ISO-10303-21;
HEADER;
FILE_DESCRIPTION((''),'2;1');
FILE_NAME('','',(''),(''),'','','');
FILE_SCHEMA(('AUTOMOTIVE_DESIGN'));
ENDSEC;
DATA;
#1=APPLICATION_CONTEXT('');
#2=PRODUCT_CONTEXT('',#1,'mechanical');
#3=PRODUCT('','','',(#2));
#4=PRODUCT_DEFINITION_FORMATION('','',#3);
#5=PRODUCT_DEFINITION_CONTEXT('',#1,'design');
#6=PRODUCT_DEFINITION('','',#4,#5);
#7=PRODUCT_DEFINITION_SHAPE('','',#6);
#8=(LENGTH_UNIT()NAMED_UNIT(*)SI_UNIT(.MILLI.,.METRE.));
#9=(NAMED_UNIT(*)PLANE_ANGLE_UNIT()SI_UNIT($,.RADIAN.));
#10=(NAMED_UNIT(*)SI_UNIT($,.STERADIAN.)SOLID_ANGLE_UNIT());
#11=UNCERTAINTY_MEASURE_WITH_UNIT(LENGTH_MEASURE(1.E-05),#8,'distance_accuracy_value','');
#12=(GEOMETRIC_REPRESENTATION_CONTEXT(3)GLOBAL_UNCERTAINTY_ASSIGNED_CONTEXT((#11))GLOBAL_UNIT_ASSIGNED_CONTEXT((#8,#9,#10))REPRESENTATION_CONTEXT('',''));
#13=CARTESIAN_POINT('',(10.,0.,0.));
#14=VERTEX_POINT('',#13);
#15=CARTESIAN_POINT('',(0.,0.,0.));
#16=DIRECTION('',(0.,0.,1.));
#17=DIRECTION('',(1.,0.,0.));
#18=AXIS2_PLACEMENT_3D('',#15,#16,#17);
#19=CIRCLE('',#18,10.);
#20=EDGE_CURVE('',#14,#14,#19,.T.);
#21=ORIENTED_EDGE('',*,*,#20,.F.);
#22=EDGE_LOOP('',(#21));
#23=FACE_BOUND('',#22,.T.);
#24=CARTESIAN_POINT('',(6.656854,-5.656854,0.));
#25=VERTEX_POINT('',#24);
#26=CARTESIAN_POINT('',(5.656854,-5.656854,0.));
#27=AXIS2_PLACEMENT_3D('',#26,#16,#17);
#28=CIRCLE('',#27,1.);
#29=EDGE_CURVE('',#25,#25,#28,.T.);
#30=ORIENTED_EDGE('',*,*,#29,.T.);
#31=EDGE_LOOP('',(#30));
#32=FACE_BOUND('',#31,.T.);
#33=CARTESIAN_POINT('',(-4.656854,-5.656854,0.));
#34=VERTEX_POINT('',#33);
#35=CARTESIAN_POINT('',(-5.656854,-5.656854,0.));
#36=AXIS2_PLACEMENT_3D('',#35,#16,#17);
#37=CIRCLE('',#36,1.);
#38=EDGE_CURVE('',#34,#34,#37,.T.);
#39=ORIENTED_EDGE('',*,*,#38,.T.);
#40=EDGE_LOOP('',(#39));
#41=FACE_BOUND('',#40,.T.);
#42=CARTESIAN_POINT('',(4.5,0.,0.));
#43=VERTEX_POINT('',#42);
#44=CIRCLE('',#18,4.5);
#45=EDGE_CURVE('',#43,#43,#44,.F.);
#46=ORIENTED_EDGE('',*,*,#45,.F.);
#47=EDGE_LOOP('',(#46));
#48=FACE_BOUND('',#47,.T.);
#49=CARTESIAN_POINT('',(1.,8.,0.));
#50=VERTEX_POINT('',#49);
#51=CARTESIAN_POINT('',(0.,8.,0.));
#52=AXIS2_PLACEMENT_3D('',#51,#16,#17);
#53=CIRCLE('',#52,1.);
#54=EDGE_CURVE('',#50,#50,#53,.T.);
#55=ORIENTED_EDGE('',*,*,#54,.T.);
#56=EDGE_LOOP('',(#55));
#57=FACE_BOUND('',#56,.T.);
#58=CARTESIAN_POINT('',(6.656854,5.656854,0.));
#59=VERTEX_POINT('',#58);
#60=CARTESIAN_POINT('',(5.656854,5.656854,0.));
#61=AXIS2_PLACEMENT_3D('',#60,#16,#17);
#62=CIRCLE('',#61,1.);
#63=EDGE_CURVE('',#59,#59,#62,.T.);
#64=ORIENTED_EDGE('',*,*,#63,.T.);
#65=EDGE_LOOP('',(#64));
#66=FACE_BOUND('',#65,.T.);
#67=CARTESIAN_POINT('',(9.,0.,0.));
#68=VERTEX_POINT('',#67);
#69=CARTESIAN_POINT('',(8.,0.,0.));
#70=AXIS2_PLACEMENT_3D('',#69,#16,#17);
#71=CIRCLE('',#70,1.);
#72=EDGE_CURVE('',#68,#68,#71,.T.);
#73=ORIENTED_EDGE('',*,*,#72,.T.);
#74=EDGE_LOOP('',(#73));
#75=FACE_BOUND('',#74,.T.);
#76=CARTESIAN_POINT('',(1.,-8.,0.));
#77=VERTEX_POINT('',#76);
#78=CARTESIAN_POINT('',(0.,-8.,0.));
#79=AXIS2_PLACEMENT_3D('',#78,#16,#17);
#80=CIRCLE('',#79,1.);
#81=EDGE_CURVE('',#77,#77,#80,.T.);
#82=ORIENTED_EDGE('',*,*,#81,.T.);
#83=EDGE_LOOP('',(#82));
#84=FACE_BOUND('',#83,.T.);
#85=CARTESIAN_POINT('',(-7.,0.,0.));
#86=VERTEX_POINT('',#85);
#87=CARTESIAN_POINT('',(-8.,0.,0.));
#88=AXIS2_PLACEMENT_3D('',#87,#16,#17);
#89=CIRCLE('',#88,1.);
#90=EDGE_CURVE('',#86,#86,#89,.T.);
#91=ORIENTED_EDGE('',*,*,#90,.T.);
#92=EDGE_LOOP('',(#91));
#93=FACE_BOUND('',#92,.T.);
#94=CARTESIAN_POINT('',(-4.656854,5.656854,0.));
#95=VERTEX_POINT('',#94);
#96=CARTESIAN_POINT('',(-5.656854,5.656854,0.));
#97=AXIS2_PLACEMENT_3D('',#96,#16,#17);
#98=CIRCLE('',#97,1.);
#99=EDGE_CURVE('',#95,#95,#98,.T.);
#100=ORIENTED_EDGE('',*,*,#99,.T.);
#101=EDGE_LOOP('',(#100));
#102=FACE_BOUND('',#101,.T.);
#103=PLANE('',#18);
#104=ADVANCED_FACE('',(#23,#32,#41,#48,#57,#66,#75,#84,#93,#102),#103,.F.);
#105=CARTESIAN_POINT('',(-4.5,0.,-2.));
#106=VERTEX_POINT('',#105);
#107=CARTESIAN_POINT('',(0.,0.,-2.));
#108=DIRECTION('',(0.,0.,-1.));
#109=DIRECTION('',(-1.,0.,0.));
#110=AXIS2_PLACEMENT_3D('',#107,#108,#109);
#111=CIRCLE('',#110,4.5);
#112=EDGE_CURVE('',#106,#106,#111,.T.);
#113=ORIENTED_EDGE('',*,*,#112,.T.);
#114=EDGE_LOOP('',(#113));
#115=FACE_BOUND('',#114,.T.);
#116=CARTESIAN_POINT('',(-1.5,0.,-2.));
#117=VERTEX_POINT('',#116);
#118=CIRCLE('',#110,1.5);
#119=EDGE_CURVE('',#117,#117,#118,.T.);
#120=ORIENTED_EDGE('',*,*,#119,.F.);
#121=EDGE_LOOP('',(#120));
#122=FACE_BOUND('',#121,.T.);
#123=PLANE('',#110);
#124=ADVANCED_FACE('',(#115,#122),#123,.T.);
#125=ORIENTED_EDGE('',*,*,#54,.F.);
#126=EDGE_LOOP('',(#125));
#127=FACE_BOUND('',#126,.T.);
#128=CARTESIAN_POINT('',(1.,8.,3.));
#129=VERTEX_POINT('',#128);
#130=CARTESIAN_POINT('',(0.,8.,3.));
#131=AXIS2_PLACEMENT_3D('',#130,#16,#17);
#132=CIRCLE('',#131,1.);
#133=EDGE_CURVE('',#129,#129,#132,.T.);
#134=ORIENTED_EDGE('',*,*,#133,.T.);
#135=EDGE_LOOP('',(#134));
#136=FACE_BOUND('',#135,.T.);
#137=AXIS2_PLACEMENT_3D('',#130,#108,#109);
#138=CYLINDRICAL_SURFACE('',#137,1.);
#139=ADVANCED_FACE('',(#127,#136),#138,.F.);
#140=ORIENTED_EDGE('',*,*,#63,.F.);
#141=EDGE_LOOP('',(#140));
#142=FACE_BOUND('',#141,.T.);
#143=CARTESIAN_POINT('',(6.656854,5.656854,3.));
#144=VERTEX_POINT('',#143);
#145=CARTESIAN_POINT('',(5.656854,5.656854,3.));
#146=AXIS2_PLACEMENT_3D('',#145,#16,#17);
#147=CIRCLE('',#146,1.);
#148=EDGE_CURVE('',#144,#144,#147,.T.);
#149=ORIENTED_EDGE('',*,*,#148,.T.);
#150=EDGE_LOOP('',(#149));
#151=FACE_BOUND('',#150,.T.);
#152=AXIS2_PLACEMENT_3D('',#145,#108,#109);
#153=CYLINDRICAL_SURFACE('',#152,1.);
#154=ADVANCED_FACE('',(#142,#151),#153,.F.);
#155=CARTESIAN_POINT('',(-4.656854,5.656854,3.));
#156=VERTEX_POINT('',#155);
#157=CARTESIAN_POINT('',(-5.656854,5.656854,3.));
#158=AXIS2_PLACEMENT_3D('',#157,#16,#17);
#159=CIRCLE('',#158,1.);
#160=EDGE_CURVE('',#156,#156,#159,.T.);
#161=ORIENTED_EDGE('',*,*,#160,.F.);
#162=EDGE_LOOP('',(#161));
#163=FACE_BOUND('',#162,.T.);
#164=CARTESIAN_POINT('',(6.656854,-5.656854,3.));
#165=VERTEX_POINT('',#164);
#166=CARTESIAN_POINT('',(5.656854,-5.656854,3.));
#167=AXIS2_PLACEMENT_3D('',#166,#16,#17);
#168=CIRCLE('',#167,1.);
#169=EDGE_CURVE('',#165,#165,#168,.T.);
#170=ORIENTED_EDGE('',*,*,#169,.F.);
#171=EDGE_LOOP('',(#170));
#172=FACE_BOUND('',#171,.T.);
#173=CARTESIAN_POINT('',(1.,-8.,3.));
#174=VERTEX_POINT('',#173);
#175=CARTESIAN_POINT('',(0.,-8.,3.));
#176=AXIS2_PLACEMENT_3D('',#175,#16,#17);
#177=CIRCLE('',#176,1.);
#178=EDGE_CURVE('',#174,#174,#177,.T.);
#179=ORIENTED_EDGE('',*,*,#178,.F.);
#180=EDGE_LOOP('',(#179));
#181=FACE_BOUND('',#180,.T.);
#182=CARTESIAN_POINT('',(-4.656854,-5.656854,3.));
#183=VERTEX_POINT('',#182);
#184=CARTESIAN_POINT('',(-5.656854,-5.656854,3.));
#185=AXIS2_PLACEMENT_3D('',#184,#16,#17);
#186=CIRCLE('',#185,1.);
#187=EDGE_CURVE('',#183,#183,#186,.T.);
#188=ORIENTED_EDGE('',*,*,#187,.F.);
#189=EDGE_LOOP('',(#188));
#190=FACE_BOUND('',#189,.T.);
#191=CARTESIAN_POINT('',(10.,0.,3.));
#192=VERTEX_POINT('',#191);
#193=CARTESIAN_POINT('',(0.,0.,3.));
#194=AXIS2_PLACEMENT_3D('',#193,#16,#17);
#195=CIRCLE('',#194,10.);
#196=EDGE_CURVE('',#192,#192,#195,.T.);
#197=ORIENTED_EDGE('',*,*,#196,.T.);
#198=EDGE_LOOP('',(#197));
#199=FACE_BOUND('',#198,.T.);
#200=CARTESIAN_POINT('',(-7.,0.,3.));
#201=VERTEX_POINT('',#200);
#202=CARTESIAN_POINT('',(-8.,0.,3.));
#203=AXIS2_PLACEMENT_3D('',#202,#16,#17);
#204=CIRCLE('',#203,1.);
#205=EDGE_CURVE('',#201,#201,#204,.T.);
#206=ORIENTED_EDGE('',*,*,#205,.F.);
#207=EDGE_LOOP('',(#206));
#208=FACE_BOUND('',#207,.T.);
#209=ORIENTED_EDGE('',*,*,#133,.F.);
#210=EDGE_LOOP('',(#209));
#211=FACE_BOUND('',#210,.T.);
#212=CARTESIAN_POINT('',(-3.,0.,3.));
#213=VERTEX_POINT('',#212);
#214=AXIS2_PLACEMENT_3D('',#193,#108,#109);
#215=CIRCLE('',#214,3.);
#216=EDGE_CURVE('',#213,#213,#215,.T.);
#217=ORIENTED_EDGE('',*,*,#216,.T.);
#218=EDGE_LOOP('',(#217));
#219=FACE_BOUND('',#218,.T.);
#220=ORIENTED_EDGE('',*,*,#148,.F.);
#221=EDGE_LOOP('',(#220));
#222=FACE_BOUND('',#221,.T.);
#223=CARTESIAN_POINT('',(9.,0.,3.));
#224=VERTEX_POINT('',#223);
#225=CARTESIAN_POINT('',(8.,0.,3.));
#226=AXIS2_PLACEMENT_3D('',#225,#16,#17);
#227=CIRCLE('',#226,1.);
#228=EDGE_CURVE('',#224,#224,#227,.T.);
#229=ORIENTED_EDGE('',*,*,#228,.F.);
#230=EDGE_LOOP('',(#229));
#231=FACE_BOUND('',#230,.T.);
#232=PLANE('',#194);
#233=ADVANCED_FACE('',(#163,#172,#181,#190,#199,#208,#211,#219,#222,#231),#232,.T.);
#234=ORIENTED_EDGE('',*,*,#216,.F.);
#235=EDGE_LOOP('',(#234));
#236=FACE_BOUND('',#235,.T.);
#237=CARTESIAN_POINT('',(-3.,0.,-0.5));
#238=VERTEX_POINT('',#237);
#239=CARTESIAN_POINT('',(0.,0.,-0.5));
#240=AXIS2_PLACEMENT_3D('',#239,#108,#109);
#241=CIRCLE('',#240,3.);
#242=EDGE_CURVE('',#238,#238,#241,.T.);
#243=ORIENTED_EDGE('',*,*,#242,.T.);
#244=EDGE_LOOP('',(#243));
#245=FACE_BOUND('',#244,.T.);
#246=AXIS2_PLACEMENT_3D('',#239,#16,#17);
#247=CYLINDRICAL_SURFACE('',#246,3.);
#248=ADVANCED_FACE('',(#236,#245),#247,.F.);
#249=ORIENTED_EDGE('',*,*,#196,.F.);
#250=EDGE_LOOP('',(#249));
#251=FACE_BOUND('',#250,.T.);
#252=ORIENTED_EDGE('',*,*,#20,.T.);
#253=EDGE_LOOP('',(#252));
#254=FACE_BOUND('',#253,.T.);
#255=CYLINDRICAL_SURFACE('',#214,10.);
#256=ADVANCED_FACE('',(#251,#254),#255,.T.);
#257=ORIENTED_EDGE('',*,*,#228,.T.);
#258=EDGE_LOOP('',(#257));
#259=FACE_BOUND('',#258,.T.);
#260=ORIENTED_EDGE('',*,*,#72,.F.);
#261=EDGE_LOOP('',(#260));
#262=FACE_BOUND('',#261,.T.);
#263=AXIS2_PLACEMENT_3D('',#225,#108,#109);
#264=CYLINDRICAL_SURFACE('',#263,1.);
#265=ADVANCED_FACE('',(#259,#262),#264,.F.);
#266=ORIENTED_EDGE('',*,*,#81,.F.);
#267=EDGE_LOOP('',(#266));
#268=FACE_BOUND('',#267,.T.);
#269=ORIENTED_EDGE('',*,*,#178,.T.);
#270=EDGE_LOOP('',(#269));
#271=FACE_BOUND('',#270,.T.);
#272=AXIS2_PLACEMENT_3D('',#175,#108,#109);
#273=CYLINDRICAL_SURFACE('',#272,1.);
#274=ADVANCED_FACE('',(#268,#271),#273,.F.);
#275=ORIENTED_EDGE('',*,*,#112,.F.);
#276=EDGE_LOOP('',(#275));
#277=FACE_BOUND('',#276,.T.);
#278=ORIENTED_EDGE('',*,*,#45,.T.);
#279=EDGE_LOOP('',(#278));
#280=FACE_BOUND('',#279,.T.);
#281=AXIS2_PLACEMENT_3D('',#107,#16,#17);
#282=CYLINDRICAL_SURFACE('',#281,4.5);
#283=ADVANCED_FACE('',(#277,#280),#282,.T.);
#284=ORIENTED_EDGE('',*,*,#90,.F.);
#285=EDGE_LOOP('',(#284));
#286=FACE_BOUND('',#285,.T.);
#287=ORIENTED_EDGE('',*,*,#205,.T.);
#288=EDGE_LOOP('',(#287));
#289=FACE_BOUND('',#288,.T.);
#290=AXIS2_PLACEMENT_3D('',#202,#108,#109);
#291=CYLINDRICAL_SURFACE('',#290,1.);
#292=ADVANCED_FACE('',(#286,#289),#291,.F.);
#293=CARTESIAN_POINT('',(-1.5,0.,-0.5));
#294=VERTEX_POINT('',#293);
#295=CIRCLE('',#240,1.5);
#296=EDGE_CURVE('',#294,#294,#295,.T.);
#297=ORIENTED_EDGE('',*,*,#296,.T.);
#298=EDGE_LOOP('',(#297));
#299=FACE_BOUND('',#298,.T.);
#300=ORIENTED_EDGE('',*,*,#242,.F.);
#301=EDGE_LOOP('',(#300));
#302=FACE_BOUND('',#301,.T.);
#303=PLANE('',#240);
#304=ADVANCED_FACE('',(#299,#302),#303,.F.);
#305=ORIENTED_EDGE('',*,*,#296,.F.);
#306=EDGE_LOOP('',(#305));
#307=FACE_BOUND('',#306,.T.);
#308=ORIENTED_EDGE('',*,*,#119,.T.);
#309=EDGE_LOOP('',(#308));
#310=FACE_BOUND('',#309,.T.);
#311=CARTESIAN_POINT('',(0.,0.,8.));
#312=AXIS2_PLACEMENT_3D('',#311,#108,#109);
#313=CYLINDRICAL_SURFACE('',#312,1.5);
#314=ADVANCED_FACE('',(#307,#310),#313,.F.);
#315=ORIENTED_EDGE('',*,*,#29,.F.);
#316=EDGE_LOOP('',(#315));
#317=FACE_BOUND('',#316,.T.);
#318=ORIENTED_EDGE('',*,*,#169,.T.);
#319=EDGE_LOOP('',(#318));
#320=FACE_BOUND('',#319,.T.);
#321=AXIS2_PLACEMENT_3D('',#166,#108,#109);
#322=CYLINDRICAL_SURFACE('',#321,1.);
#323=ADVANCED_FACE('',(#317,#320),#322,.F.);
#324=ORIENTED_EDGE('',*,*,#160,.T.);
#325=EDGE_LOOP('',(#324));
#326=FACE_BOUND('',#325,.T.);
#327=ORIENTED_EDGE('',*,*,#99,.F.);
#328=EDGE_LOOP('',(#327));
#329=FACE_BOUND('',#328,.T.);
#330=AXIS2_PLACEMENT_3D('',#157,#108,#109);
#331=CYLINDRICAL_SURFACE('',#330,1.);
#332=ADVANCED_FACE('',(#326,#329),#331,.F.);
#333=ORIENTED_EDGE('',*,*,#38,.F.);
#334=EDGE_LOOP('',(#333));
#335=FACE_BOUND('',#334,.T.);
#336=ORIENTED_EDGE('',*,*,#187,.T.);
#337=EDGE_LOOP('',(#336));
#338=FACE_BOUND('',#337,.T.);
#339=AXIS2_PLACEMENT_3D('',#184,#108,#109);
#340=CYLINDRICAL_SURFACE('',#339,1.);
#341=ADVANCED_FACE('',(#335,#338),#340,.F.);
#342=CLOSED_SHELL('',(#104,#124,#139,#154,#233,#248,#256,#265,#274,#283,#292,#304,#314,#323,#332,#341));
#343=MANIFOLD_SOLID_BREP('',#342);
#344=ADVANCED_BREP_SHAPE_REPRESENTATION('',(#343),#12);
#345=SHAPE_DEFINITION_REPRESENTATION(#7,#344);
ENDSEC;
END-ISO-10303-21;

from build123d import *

# Parameters (mm, degrees)
SKETCH_1_R          = 10
SKETCH_1_R_2        = 1.5
SKETCH_1_R_3        = 1
EXTRUDE_1_DEPTH     = 3
SKETCH_2_R          = 4.5
EXTRUDE_2_DEPTH     = 2
SKETCH_3_R          = 3
CUT_EXTRUDE_1_DEPTH = 3.5
SKETCH_4_R          = 1.5
CUT_EXTRUDE_2_DEPTH = 10


with BuildPart() as part:
    # 草图1 → 凸台-拉伸1 (new body)
    with BuildSketch(Plane.XY):
        Circle(SKETCH_1_R)
        Circle(SKETCH_1_R_2, mode=Mode.SUBTRACT)
        with Locations((0, 8)):
            Circle(SKETCH_1_R_3, mode=Mode.SUBTRACT)
        with Locations((5.656854249, 5.656854249)):
            Circle(SKETCH_1_R_3, mode=Mode.SUBTRACT)
        with Locations((8, 0)):
            Circle(SKETCH_1_R_3, mode=Mode.SUBTRACT)
        with Locations((5.656854249, -5.656854249)):
            Circle(SKETCH_1_R_3, mode=Mode.SUBTRACT)
        with Locations((0, -8)):
            Circle(SKETCH_1_R_3, mode=Mode.SUBTRACT)
        with Locations((-5.656854249, -5.656854249)):
            Circle(SKETCH_1_R_3, mode=Mode.SUBTRACT)
        with Locations((-8, 0)):
            Circle(SKETCH_1_R_3, mode=Mode.SUBTRACT)
        with Locations((-5.656854249, 5.656854249)):
            Circle(SKETCH_1_R_3, mode=Mode.SUBTRACT)
    extrude(amount=EXTRUDE_1_DEPTH)

    # 草图2 → 凸台-拉伸2 (add)
    with BuildSketch(Plane(origin=(0, 0, 0), x_dir=(-1, 0, 0), z_dir=(0, 0, -1))):
        with Locations(Location((0, 0, 0), (0, 0, 180))):
            Circle(SKETCH_2_R)
    extrude(amount=EXTRUDE_2_DEPTH)

    # 草图3 → 切除-拉伸1 (cut)
    with BuildSketch(Plane(origin=(0, 0, 3), x_dir=(-1, 0, 0), z_dir=(0, 0, -1))):
        Circle(SKETCH_3_R)
    extrude(amount=CUT_EXTRUDE_1_DEPTH, mode=Mode.SUBTRACT)

    # 草图4 → 切除-拉伸2 (cut)
    with BuildSketch(Plane(origin=(0, 0, -2), x_dir=(-1, 0, 0), z_dir=(0, 0, -1))):
        Circle(SKETCH_4_R)
    extrude(amount=-CUT_EXTRUDE_2_DEPTH, mode=Mode.SUBTRACT)


solid = part.part
